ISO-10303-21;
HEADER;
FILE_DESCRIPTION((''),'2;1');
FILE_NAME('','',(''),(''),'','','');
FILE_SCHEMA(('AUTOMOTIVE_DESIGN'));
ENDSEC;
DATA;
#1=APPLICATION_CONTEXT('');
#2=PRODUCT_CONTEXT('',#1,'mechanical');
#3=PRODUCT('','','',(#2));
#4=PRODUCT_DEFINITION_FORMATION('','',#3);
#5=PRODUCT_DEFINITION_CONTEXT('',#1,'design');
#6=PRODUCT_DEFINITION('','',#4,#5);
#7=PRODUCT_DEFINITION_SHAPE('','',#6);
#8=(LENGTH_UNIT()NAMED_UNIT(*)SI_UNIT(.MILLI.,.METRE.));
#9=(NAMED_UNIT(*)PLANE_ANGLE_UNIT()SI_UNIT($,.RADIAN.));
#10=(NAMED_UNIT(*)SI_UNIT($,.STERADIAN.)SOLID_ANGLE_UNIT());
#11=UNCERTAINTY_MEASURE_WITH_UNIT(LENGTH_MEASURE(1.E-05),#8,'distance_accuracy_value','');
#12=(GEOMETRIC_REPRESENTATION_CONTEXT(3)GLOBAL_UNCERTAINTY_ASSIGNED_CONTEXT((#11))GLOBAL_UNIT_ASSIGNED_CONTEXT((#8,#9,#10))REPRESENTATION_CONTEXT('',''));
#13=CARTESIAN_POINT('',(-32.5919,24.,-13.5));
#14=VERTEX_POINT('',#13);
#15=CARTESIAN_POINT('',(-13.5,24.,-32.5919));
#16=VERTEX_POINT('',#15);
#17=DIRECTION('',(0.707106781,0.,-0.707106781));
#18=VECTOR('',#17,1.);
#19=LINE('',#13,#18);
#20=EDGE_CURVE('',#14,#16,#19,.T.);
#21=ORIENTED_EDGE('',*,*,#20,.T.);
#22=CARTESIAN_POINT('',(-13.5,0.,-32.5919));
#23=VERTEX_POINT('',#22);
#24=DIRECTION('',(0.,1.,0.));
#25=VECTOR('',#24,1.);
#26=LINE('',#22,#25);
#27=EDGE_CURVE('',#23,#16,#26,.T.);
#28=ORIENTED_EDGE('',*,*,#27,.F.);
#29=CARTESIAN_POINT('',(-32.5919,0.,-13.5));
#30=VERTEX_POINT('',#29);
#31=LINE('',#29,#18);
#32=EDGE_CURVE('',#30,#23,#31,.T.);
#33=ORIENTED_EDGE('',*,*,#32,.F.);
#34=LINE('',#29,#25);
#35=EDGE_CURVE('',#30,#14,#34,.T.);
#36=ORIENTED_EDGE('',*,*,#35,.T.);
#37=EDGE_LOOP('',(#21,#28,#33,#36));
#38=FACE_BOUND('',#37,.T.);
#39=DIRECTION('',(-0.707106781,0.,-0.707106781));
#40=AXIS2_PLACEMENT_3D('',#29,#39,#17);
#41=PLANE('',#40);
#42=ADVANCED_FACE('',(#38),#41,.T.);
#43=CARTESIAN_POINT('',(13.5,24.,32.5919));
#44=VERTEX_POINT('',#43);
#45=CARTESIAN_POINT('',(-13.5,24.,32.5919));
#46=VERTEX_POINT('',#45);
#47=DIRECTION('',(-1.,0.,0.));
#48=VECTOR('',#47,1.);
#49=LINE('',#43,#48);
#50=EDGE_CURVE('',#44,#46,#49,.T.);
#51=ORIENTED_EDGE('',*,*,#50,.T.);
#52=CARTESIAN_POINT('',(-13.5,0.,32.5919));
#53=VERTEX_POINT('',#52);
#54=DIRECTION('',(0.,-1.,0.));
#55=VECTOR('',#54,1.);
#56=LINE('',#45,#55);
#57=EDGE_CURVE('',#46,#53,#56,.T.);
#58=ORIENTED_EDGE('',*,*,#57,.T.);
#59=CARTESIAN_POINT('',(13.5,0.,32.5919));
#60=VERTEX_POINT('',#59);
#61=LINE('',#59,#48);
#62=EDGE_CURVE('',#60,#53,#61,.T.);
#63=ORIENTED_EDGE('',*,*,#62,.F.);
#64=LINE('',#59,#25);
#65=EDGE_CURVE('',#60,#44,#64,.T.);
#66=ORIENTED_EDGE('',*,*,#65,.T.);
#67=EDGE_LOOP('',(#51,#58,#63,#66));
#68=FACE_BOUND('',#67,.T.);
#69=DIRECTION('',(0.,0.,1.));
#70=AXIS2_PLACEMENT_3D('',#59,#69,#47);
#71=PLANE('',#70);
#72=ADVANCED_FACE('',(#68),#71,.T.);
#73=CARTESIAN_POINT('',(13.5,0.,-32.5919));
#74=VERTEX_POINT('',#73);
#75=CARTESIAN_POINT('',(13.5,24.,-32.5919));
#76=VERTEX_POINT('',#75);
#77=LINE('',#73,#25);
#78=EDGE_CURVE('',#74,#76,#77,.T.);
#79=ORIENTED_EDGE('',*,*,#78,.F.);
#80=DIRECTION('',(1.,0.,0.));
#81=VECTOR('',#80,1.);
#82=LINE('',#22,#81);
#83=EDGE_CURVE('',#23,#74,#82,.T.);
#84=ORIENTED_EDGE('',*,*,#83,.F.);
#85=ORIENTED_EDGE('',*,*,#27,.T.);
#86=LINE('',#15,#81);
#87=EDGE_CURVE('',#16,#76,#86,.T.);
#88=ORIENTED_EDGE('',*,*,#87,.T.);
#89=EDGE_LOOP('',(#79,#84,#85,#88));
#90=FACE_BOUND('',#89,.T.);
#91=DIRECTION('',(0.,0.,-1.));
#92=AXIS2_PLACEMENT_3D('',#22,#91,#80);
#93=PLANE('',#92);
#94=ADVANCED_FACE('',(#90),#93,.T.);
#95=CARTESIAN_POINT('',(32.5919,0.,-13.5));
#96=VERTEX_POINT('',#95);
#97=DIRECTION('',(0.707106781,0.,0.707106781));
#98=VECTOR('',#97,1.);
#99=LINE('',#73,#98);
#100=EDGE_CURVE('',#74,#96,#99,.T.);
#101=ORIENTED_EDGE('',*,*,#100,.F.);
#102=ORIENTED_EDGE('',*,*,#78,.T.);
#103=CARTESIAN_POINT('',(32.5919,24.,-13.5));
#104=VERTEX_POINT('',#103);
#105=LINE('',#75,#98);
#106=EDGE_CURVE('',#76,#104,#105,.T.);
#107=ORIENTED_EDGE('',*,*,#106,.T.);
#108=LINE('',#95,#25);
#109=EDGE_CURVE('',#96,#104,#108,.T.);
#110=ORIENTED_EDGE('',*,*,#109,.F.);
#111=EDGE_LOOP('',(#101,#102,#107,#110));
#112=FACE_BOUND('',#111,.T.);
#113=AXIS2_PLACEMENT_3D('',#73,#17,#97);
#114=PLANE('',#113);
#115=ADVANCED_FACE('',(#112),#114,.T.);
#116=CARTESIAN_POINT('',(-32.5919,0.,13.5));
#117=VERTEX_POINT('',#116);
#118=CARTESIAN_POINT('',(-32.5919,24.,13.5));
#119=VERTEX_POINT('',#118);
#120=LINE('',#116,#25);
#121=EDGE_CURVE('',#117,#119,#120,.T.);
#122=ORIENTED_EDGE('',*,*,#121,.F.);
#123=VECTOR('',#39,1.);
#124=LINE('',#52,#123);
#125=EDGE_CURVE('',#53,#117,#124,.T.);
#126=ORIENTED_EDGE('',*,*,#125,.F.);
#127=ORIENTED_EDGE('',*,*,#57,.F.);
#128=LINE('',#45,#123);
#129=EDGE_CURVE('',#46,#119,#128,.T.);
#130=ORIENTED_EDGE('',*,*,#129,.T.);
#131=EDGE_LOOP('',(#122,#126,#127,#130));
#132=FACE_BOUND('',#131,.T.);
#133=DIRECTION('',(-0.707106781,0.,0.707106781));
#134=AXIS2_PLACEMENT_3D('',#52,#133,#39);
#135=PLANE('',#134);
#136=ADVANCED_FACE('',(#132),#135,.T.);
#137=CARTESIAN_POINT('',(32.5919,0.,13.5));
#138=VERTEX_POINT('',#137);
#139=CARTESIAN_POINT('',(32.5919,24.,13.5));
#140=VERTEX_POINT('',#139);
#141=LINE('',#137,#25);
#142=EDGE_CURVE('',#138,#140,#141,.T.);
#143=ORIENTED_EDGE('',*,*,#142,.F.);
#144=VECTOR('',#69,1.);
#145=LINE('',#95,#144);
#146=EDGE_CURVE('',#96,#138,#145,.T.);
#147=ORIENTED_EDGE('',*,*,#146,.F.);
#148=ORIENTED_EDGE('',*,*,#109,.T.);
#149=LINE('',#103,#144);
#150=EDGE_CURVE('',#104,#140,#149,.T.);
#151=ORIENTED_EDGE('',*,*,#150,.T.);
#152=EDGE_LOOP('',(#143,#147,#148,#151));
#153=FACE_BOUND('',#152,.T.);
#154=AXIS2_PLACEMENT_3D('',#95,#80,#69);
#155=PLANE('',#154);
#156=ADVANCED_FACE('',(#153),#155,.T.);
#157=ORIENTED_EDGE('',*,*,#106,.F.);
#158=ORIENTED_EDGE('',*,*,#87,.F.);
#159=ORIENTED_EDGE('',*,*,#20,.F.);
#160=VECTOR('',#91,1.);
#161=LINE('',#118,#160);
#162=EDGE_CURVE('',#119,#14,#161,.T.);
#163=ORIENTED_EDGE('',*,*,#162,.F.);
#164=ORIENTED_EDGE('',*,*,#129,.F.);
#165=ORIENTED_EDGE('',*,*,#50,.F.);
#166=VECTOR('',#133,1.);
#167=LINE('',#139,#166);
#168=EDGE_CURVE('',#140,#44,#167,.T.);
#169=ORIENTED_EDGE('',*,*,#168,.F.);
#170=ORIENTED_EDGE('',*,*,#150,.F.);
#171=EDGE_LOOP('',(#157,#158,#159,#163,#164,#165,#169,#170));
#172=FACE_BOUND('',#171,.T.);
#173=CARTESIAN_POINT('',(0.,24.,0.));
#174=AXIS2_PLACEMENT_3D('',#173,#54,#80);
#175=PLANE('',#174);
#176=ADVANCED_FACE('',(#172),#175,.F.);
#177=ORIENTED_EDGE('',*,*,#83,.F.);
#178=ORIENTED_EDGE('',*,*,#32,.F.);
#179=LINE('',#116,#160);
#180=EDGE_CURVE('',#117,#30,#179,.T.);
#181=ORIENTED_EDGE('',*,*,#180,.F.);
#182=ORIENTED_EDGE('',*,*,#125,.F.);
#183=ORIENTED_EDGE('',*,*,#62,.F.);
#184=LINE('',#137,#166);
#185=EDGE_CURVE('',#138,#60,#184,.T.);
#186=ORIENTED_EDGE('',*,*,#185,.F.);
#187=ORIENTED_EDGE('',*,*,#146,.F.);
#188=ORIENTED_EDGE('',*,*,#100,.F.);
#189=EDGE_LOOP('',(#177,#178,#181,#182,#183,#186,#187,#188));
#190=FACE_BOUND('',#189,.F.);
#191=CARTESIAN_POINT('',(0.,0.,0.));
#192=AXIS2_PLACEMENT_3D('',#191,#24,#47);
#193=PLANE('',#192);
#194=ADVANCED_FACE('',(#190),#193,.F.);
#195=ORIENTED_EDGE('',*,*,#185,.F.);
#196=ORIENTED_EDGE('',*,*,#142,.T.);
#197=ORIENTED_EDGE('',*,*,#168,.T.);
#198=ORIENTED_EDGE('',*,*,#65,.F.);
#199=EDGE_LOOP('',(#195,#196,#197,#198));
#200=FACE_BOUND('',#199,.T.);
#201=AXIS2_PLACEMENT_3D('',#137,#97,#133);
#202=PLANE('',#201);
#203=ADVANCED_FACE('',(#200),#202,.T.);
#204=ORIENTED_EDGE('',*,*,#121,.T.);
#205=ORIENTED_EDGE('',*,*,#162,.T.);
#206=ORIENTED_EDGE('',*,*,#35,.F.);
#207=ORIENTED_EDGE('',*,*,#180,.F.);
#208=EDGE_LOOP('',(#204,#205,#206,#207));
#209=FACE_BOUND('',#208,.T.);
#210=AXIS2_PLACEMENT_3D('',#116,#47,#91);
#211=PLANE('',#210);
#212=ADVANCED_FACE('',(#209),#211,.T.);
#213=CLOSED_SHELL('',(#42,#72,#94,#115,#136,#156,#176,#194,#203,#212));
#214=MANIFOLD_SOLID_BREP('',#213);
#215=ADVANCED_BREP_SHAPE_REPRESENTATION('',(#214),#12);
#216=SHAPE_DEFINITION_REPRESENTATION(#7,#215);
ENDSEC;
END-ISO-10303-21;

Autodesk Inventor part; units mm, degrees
ref_plane "YZ Plane" through (0, 0, 0) normal (1, 0, 0) x (0, 1, 0)
ref_plane "XZ Plane" through (0, 0, 0) normal (0, 1, 0) x (-1, 0, 0)
sketch "스케치1" plane through (0, 0, 0) normal (0, 1, 0) x (-1, 0, 0)
  line L0 (-31.7919, 13.1686) -> (-13.1686, 31.7919)
  line L1 (-13.1686, 31.7919) -> (13.1686, 31.7919)
  line L2 (13.1686, 31.7919) -> (31.7919, 13.1686)
  line L3 (31.7919, 13.1686) -> (31.7919, -13.1686)
  line L4 (31.7919, -13.1686) -> (13.1686, -31.7919)
  line L5 (13.1686, -31.7919) -> (-13.1686, -31.7919)
  line L6 (-13.1686, -31.7919) -> (-31.7919, -13.1686)
  line L7 (-31.7919, -13.1686) -> (-31.7919, 13.1686)
  line L8 (-13.5, 32.5919) -> (13.5, 32.5919)
  line L9 (13.5, 32.5919) -> (32.5919, 13.5)
  line L10 (32.5919, 13.5) -> (32.5919, -13.5)
  line L11 (32.5919, -13.5) -> (13.5, -32.5919)
  line L12 (13.5, -32.5919) -> (-13.5, -32.5919)
  line L13 (-13.5, -32.5919) -> (-32.5919, -13.5)
  line L14 (-32.5919, -13.5) -> (-32.5919, 13.5)
  line L15 (-32.5919, 13.5) -> (-13.5, 32.5919)
  point P0 (0, 0)
  point P1 (0, 0)
  point P2 (0, 0)
  dimension "d51" = 27
  dimension "d52" = 0.8
extrude "돌출2" add sketch "스케치1" along normal blind 12 contours L0 L1 L2 L3 L4 L5 L6 L7 | L8 L9 L10 L11 L12 L13 L14 L15
ref_plane "작업 평면2" through (32.5919, 0, 13.5) normal (-0.866, -0.5, 0) x (0, 0, -1)
mirror "미러5" about plane through (0, 12, 0) normal (0, 1, 0) of "돌출2"
properties part number "팔각형 OV-PAM 층 한개"
